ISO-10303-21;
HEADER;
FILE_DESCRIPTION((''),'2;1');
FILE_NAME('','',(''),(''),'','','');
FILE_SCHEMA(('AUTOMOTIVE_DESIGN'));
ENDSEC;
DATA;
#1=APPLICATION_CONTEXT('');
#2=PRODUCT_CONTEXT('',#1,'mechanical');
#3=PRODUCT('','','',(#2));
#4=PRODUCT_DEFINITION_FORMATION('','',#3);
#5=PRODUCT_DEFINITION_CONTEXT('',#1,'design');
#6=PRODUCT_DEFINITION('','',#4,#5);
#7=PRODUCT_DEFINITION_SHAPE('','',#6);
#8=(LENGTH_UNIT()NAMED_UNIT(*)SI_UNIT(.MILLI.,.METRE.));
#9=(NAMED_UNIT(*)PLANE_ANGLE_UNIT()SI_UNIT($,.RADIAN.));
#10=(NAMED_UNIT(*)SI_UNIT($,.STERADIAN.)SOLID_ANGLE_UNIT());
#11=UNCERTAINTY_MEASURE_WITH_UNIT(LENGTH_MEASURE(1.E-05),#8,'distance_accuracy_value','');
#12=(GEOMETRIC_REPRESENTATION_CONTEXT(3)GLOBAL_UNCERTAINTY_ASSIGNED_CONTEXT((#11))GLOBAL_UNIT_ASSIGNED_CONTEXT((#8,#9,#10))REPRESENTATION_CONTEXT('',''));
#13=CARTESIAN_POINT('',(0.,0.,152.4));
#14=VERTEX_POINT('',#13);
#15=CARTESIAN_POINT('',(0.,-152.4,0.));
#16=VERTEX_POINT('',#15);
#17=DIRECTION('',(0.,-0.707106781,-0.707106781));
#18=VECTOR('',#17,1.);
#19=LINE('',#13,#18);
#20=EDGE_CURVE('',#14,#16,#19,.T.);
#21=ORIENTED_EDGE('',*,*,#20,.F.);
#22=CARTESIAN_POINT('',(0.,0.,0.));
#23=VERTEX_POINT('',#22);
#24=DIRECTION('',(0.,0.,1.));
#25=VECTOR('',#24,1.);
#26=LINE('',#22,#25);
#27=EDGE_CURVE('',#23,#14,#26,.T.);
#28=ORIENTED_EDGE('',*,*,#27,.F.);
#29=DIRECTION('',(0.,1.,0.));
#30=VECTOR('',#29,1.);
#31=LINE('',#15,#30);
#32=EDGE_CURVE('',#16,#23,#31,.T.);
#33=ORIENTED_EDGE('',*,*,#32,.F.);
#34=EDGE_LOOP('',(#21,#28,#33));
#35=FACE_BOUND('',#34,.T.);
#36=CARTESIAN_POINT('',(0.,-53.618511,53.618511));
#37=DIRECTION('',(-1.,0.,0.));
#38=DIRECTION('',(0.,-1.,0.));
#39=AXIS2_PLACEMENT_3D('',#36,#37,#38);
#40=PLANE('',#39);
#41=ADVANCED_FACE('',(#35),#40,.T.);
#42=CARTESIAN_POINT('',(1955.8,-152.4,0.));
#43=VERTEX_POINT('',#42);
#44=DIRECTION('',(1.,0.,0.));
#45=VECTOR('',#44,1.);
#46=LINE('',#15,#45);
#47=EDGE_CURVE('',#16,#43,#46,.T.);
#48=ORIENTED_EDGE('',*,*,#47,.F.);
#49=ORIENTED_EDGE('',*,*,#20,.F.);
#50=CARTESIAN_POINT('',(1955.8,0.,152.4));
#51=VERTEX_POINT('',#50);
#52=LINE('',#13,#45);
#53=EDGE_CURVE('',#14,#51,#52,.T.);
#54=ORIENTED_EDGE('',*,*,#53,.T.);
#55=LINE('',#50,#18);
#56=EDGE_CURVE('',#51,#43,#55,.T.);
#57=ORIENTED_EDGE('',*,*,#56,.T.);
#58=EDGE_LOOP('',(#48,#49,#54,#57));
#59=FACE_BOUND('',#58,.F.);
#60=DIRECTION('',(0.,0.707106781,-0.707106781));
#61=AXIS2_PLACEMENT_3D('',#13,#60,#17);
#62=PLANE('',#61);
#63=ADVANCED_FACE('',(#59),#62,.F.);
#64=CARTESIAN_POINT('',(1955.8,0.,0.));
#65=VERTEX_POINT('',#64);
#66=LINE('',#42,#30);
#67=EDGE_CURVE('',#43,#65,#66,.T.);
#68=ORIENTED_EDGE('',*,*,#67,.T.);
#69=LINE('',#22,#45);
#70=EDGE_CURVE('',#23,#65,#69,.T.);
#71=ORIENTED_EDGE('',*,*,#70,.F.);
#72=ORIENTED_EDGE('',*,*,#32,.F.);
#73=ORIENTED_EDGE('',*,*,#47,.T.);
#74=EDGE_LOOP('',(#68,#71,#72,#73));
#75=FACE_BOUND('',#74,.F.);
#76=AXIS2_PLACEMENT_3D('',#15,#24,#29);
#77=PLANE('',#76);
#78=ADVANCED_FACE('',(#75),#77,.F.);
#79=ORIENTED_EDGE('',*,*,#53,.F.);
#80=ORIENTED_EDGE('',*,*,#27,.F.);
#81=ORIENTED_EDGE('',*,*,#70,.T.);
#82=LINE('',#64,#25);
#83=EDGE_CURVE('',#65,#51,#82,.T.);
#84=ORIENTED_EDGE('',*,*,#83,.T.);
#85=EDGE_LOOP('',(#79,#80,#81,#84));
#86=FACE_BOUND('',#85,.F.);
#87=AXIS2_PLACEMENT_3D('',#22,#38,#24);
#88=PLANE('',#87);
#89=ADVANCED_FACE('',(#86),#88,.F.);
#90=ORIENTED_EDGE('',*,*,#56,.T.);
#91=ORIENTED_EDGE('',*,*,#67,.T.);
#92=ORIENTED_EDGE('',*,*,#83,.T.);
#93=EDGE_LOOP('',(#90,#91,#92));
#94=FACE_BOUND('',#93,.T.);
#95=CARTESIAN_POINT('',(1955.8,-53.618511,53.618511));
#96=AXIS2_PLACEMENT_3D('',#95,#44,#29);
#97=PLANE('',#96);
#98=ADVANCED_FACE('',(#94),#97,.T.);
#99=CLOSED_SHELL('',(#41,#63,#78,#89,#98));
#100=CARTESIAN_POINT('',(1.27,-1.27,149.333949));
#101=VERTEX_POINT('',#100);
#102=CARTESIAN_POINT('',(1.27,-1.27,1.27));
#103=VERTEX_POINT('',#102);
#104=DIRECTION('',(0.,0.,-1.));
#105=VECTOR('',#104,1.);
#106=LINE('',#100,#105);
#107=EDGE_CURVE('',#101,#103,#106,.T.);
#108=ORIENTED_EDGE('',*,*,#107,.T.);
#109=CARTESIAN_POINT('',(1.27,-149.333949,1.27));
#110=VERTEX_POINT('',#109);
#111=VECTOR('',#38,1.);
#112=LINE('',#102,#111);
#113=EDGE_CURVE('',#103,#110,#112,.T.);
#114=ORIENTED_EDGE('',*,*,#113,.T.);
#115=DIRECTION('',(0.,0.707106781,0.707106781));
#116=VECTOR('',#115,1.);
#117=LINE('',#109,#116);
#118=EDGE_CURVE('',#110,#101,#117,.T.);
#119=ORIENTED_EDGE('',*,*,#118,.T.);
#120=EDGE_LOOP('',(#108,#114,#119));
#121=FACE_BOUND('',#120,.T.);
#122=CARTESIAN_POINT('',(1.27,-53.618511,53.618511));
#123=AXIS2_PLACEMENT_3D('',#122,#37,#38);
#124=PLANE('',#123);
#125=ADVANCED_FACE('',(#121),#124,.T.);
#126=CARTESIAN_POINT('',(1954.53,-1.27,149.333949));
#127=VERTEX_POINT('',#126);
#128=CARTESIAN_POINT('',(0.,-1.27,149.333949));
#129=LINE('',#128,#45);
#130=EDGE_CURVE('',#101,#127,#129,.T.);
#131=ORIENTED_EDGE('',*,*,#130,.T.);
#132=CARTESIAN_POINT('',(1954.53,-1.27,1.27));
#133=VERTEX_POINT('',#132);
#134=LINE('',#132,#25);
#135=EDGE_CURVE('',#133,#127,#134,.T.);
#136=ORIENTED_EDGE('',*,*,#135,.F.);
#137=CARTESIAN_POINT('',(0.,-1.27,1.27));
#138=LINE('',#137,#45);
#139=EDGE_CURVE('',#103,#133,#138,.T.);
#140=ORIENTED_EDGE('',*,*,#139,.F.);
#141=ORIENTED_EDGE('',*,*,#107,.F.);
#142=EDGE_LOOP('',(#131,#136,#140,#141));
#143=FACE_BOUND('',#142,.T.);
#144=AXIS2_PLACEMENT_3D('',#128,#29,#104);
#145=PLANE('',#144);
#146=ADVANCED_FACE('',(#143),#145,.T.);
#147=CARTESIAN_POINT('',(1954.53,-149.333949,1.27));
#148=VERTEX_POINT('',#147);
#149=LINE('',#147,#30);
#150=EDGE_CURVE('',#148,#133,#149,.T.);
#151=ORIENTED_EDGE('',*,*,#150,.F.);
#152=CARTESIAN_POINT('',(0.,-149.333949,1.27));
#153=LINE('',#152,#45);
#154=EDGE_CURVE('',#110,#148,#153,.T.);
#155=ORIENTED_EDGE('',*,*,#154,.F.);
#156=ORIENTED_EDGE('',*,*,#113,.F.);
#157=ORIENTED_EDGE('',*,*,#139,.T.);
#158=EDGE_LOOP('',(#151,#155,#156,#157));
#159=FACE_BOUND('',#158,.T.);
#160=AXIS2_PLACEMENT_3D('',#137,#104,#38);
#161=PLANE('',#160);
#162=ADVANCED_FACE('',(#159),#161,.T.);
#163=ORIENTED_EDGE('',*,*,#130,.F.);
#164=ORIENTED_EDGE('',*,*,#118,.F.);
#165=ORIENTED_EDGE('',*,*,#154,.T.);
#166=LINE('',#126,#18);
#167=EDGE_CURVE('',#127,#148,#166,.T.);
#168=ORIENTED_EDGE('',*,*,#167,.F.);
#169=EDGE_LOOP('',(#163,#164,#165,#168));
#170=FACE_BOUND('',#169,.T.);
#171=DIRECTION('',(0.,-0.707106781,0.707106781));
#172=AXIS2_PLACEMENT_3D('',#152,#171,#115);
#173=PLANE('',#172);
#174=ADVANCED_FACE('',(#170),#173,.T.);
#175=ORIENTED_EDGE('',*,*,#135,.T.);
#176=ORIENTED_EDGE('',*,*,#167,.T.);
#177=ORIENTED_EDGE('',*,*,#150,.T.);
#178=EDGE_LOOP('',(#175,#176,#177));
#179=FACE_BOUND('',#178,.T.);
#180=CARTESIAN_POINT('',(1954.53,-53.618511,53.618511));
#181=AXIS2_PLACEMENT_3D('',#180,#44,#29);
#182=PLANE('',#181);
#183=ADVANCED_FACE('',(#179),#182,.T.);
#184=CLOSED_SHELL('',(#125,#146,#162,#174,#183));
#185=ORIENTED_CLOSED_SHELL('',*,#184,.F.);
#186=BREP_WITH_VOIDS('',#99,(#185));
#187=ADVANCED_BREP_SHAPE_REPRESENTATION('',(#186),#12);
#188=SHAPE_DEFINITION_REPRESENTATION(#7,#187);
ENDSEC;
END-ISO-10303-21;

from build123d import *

# Parameters (mm, degrees)
F1_DEPTH = 1955.8
F3_DEPTH = 1.27
F5_DEPTH = 1.27


with BuildPart() as f1:
    # F0 (on Right) → F1 (new body)
    with BuildSketch(Plane.YZ):
        Polygon((-152.4, 0), (0, 0), (0, 152.4), align=None)
        Polygon((-149.333949, 1.27), (-1.27, 149.333949), (-1.27, 1.27), align=None, mode=Mode.SUBTRACT)
    extrude(amount=F1_DEPTH)

    # F2 (on face) → F3 (join)
    with BuildSketch(Plane(origin=(0, 0, 0), x_dir=(0, -1, 0), z_dir=(-1, 0, 0))):
        Polygon((1.27, 149.333949), (1.27, 1.27), (149.333949, 1.27), align=None)
    extrude(amount=-F3_DEPTH)

    # F4 (on face) → F5 (join)
    with BuildSketch(Plane.YZ.offset(1955.8)):
        Polygon((-149.333949, 1.27), (-1.27, 1.27), (-1.27, 149.333949), align=None)
    extrude(amount=-F5_DEPTH)


solid = f1.part
